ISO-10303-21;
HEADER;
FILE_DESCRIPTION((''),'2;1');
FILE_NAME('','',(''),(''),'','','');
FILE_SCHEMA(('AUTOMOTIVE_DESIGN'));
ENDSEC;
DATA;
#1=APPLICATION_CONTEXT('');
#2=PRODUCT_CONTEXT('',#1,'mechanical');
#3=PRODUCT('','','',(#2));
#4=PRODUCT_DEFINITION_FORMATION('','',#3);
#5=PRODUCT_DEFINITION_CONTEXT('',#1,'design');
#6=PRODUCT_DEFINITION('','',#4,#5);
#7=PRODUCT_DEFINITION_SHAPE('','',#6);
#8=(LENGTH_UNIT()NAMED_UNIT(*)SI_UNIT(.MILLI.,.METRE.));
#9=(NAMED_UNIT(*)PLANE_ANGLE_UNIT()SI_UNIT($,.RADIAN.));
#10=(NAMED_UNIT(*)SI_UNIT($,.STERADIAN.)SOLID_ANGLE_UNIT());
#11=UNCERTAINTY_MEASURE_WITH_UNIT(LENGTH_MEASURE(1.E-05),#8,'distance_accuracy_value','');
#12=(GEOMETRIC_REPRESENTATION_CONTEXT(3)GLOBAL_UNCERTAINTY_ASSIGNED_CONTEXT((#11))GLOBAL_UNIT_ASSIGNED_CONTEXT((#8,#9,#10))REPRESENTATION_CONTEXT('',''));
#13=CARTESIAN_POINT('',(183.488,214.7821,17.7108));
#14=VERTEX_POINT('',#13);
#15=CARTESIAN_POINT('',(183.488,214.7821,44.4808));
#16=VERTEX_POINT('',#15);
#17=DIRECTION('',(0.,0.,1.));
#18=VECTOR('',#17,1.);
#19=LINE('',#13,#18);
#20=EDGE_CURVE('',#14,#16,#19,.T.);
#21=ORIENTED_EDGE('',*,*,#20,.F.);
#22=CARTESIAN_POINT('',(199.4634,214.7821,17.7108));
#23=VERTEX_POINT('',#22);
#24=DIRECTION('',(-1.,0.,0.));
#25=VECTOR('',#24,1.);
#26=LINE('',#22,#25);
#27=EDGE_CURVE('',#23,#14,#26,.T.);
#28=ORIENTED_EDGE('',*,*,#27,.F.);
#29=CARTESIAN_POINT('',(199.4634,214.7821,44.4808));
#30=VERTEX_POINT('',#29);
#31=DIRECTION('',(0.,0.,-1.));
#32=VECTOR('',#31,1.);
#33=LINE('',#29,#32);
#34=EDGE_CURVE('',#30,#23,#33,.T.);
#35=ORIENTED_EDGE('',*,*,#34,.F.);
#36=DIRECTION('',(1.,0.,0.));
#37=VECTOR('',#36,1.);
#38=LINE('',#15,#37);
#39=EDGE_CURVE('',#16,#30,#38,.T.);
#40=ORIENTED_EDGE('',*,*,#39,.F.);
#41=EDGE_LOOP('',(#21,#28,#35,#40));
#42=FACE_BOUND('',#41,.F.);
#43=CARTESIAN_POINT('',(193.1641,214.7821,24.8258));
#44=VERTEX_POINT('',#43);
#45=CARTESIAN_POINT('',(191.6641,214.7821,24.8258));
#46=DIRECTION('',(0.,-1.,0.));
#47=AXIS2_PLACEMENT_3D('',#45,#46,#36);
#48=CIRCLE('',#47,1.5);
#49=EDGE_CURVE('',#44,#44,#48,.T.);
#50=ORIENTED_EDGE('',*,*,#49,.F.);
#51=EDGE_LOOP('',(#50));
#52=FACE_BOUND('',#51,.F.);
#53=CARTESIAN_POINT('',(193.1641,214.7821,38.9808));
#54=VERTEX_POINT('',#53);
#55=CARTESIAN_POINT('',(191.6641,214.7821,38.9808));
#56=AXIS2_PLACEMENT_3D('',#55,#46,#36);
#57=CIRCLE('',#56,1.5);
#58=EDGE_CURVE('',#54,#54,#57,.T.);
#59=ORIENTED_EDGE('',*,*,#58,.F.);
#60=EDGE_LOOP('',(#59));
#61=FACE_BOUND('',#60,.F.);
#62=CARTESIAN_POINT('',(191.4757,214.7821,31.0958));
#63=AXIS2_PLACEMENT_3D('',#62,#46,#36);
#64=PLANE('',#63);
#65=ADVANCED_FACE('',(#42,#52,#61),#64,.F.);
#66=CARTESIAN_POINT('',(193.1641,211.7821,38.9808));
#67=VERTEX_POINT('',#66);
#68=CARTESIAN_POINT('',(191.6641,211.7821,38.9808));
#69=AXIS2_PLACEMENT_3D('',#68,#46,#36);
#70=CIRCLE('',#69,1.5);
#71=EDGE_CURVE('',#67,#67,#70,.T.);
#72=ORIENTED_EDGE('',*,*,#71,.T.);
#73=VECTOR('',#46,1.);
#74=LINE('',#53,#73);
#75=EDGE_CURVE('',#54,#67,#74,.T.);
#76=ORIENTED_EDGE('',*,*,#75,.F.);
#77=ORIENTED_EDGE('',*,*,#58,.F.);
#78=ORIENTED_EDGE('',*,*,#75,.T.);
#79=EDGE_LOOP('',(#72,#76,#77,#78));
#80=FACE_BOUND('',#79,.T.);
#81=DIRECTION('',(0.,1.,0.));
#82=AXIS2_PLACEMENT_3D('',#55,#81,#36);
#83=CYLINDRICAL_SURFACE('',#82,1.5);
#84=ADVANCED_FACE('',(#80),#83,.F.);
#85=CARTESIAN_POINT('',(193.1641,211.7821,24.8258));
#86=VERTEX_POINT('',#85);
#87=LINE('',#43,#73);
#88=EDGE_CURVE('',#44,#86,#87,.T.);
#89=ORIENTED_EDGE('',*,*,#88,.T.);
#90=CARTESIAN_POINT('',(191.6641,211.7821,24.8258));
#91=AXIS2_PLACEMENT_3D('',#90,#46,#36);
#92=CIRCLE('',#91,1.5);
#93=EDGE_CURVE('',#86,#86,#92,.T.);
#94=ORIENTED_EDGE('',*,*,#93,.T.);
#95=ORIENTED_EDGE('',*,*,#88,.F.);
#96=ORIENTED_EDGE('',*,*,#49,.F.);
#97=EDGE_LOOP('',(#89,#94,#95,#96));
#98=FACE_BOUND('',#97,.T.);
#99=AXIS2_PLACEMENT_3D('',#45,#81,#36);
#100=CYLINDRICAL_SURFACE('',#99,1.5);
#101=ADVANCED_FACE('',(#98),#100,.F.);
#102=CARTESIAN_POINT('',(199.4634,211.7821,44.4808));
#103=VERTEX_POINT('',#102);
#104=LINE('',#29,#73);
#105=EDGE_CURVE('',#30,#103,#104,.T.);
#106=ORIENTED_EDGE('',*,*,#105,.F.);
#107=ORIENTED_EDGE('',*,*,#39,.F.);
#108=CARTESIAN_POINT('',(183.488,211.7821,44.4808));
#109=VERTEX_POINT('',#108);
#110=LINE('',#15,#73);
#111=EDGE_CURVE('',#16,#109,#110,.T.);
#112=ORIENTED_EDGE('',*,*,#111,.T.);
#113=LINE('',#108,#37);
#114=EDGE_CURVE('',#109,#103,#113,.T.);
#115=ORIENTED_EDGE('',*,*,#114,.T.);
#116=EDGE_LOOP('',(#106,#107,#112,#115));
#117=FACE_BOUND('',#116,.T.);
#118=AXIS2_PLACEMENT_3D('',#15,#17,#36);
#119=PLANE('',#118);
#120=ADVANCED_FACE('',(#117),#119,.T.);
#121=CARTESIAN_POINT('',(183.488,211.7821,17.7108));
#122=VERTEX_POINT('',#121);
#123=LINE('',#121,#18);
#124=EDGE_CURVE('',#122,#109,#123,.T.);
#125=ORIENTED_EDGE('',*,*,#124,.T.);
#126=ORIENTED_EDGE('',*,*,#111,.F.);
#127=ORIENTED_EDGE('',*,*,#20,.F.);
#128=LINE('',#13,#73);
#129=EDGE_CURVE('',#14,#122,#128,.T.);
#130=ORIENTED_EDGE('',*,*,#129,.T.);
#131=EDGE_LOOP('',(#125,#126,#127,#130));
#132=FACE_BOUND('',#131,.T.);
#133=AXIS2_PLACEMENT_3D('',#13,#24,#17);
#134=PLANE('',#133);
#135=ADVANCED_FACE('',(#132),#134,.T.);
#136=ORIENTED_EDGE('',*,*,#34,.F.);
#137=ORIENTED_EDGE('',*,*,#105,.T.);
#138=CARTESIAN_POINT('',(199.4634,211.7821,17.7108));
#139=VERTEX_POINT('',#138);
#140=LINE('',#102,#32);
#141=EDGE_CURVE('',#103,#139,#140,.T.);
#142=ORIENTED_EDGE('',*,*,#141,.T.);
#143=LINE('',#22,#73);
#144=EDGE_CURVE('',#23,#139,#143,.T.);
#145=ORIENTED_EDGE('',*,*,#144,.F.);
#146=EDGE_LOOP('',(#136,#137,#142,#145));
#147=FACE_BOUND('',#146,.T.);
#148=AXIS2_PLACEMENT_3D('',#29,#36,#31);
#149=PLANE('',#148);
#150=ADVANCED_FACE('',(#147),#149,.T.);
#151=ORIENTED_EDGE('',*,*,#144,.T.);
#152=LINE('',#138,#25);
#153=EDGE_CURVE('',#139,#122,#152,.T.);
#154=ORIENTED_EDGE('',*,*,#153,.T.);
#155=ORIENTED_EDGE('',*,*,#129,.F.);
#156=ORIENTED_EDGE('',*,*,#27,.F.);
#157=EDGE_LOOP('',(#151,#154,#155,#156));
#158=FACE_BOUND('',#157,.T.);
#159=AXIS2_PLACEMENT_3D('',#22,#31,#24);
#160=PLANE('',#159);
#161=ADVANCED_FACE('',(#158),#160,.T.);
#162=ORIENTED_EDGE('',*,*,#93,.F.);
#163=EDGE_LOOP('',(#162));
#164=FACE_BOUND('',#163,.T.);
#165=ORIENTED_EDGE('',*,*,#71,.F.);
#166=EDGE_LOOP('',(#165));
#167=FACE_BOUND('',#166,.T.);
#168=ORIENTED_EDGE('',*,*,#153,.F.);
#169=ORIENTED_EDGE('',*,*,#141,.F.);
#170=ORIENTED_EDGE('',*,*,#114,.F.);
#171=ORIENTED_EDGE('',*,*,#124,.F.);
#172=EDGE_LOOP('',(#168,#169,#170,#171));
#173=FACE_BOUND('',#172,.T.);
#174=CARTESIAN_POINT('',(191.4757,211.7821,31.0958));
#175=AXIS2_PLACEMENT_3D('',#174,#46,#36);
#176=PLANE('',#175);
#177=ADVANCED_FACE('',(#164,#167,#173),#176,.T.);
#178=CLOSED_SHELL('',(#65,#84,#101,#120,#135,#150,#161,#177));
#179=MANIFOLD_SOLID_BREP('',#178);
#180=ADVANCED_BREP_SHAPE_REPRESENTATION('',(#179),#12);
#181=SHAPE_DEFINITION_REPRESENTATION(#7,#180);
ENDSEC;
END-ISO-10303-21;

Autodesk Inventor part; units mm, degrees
ref_plane "YZ Plane" through (0, 0, 0) normal (1, 0, 0) x (0, 1, 0)
ref_plane "XZ Plane" through (0, 0, 0) normal (0, 1, 0) x (-1, 0, 0)
ref_plane "XY Plane" through (0, 0, 0) normal (0, 0, 1) x (1, 0, 0)
ref_plane "РабПлоскость1" through (191.4757, 214.7821, 31.0958) normal (0, -1, 0) x (1, 0, 0)
sketch "Эскиз1" plane through (191.4757, 214.7821, 31.0958) normal (0, -1, 0) x (1, 0, 0)
  circle A0 centre (0.1884, -6.27) radius 1.5 projected
  arc A1 (-4.9877, -8.385) -> (-2.9877, -10.385) centre (-2.9877, -8.385) ccw projected
  line L0 (4.9877, -10.385) -> (-2.9877, -10.385) projected
  line L1 (4.9877, -2.155) -> (4.9877, -10.385) projected
  line L2 (-4.9877, -2.155) -> (4.9877, -2.155) projected
  line L3 (-4.9877, -8.385) -> (-4.9877, -2.155) projected
  circle A2 centre (0.1884, 7.885) radius 1.5 projected
  line L4 (-4.9877, 5.385) -> (-4.9877, 10.385) projected
  line L5 (4.9877, 5.385) -> (-4.9877, 5.385) projected
  line L6 (4.9877, 10.385) -> (4.9877, 5.385) projected
  line L7 (-4.9877, 10.385) -> (4.9877, 10.385) projected
  line L8 (7.9877, -13.385) -> (-7.9877, -13.385)
  line L9 (-7.9877, -13.385) -> (-7.9877, 13.385)
  line L10 (-7.9877, 13.385) -> (7.9877, 13.385)
  line L11 (7.9877, 13.385) -> (7.9877, -13.385)
  point P0 (-191.4757, -31.0958)
  dimension "d0" = 3
  dimension "d1" = 3
  dimension "d2" = 3
  dimension "d3" = 3
extrude "Выдавливание1" add sketch "Эскиз1" along normal blind 3 contours L3 L2 L1 L0 A1 | L4 L7 L6 L5 | L8 L9 L10 L11
properties part number "деталь закрывает"
